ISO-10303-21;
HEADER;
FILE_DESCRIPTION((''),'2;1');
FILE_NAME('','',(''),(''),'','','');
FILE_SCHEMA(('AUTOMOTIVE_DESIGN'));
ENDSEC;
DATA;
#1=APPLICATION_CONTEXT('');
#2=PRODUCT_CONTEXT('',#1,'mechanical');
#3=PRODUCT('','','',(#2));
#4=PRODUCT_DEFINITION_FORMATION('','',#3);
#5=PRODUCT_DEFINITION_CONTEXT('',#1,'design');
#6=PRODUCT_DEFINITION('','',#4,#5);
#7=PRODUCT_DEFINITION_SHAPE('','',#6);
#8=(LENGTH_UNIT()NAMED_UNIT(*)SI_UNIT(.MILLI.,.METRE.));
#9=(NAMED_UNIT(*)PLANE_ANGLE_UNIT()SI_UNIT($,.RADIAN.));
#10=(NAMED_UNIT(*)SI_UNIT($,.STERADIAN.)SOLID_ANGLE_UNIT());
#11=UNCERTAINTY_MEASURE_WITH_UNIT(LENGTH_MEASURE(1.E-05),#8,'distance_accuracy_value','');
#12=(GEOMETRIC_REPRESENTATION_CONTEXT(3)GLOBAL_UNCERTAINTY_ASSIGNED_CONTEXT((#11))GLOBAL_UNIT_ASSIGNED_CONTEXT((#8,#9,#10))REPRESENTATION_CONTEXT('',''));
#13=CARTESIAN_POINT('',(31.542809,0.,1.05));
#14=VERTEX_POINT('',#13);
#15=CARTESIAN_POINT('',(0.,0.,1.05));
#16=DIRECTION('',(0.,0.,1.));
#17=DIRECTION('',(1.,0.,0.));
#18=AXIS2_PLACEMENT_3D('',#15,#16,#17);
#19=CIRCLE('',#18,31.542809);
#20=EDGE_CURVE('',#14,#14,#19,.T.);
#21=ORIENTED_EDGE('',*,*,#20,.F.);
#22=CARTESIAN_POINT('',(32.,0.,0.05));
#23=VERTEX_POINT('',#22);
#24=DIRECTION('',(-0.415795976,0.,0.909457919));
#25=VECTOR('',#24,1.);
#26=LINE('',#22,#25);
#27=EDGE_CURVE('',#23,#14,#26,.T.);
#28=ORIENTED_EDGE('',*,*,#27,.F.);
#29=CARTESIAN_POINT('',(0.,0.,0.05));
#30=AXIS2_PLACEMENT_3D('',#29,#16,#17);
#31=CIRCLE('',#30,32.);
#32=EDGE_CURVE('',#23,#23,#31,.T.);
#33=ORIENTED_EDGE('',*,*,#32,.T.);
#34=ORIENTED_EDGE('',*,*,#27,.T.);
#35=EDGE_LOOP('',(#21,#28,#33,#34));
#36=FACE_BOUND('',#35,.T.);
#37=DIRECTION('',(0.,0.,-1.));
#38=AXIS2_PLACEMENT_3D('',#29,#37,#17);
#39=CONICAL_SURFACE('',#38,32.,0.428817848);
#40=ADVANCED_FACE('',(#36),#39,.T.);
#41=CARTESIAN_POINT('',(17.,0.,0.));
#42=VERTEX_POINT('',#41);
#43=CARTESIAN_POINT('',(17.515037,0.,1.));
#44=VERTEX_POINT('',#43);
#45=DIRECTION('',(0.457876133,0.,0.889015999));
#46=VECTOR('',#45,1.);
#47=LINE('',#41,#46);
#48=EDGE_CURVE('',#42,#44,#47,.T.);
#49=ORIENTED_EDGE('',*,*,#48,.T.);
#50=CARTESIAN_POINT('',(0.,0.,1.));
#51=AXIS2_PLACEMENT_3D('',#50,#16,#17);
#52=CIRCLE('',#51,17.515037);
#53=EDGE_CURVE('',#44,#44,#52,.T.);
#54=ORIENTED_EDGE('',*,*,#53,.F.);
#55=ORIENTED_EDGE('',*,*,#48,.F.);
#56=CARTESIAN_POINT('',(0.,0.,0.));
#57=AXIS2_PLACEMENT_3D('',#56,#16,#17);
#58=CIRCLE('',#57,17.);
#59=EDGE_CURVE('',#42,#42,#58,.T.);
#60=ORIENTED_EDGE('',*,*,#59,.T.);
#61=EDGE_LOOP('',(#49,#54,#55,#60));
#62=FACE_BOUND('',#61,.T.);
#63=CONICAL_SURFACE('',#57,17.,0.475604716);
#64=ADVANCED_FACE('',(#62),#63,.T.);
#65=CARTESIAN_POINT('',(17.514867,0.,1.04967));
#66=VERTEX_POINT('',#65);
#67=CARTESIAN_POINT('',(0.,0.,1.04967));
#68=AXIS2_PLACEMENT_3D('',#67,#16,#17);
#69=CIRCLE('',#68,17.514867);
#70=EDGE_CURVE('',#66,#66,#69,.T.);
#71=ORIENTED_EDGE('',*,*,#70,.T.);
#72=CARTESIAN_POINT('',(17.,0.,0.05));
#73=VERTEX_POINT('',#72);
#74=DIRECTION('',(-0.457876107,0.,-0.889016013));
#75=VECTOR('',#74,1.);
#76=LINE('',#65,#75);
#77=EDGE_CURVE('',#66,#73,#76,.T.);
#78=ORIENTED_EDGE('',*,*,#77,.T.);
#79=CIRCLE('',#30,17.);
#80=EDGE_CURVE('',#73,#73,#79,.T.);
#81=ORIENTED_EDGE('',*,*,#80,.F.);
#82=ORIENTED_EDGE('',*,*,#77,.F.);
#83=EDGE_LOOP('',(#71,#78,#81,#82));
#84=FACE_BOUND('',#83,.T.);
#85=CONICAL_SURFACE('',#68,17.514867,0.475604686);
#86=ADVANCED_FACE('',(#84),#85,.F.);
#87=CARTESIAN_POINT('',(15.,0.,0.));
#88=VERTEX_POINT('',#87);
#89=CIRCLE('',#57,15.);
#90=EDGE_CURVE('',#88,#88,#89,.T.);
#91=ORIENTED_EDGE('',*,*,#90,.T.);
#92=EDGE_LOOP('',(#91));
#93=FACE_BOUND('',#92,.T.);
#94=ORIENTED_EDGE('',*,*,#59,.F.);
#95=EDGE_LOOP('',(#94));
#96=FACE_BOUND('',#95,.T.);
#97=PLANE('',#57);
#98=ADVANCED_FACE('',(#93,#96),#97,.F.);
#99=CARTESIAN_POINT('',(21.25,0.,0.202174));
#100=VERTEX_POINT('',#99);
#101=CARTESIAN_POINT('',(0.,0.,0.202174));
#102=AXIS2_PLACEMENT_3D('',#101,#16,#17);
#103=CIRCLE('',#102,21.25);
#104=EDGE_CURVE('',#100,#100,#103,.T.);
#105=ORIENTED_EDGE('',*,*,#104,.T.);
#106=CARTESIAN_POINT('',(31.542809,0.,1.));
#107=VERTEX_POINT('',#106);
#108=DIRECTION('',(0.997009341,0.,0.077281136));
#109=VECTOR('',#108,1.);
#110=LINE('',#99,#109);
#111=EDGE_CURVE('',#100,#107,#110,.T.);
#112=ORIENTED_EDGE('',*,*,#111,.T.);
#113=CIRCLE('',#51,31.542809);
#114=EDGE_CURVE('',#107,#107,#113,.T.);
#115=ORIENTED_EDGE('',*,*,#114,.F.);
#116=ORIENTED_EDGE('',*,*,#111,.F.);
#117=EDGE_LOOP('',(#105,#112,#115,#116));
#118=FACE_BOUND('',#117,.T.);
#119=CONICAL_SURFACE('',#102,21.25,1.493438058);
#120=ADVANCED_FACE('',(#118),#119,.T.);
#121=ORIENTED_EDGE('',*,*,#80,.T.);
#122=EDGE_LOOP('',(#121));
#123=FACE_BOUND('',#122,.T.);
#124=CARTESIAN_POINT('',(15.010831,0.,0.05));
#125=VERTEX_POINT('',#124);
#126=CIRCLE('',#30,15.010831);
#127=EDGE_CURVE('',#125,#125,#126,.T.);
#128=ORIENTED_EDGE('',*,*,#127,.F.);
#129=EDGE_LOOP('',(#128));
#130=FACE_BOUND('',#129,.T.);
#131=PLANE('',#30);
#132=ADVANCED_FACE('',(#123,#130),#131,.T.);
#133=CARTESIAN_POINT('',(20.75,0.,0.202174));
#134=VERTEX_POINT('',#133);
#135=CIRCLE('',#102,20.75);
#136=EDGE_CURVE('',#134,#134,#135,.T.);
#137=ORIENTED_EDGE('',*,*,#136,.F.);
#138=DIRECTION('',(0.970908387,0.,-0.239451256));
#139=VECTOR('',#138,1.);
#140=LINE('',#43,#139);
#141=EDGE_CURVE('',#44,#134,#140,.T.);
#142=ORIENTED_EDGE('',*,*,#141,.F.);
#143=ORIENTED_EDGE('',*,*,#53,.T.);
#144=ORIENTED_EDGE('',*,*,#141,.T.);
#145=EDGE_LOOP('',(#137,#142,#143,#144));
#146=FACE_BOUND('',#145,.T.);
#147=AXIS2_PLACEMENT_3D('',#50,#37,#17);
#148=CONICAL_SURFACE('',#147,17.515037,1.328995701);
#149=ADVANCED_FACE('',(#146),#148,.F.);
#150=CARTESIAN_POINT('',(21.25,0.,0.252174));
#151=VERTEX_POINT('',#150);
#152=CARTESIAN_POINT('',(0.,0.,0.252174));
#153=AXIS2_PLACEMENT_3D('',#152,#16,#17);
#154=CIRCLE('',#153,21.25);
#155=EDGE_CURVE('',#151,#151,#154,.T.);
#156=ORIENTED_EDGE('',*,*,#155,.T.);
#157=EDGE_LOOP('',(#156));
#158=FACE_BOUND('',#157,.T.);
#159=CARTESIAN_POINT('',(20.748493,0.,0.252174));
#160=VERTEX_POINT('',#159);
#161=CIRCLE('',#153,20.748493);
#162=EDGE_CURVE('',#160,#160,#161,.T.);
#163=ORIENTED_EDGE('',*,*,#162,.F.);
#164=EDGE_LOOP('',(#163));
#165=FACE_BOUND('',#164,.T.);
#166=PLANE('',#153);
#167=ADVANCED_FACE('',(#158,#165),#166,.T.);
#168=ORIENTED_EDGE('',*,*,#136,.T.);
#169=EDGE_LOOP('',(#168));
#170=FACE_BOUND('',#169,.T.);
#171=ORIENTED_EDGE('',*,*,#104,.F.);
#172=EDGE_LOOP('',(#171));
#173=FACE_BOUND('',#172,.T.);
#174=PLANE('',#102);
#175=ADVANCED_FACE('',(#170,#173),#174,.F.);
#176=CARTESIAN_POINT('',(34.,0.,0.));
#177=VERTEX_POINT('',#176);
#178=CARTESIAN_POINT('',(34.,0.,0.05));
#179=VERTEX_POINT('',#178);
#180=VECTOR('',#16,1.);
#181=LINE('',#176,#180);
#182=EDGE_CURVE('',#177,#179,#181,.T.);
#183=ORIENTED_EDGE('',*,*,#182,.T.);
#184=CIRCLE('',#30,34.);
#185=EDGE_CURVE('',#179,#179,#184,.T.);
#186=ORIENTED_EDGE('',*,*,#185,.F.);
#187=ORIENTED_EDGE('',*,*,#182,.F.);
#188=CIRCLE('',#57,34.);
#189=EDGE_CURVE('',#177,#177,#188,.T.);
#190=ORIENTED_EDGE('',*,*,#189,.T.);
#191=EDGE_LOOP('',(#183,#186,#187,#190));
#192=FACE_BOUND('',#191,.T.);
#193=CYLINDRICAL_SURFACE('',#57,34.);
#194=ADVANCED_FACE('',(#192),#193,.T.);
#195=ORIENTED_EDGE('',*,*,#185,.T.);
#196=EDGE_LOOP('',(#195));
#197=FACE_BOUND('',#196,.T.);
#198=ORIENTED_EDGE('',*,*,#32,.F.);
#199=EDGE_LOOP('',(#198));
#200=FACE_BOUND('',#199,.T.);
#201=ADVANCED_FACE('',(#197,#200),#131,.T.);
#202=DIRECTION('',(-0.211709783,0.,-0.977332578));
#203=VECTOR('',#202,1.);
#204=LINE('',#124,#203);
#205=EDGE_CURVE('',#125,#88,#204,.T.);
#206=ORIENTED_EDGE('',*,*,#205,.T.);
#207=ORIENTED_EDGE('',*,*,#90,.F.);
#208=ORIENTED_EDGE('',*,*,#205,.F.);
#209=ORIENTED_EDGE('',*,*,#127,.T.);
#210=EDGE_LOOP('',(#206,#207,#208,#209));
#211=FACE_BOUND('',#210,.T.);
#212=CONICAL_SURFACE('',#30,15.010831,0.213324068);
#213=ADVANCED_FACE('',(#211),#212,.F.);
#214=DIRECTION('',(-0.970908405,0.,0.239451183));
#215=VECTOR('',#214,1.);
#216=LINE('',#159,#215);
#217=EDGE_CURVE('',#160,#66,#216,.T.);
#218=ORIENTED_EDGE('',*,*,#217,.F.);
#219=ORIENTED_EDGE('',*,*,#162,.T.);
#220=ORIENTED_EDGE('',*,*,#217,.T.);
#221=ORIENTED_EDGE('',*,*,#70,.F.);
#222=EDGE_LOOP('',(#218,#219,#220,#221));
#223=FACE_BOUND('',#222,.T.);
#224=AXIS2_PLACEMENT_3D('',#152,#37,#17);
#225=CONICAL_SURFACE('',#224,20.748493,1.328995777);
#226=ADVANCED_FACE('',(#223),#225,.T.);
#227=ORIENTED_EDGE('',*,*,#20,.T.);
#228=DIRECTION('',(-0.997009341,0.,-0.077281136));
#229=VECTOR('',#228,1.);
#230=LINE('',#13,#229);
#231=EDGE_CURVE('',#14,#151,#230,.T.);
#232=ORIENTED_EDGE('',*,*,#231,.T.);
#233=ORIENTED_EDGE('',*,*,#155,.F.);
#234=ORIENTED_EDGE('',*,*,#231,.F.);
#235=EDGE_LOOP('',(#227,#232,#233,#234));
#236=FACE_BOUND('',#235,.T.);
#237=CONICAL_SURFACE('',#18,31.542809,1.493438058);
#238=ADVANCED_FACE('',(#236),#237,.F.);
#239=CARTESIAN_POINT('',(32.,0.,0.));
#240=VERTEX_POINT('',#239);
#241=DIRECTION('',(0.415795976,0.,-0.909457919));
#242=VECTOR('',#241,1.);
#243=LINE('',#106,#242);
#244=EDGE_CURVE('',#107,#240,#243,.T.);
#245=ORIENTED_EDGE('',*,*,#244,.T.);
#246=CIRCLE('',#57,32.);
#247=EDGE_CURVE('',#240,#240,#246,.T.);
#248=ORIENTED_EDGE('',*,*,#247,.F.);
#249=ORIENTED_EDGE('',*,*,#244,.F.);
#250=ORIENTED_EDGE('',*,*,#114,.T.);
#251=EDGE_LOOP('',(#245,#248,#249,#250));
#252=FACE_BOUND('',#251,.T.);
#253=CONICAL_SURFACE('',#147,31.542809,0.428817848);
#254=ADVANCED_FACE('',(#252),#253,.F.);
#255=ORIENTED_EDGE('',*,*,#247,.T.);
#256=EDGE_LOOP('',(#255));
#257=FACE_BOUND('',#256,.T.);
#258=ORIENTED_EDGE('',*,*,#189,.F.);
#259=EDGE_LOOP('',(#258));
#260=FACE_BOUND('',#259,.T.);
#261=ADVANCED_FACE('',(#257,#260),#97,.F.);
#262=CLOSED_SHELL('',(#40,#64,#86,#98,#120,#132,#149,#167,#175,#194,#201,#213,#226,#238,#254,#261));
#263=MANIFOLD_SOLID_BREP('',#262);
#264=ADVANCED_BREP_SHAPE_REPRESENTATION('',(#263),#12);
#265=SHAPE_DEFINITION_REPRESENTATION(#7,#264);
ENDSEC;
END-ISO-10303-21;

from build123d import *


with BuildPart() as f1:
    # F0 (on Front) → F1 (revolve)
    with BuildSketch(Plane.XZ):
        Polygon((31.542809, 1), (32, 0), (34, 0), (34, 0.05), (32, 0.05), (31.542809, 1.05), (21.25, 0.252174), (20.748493, 0.252174), (17.514867, 1.04967), (17, 0.05), (15.010831, 0.05), (15, 0), (17, 0), (17.515037, 1), (20.75, 0.202174), (21.25, 0.202174), align=None)
    revolve(axis=Axis((0, 0, 5.19455), (0, 0, 1)))


solid = f1.part
